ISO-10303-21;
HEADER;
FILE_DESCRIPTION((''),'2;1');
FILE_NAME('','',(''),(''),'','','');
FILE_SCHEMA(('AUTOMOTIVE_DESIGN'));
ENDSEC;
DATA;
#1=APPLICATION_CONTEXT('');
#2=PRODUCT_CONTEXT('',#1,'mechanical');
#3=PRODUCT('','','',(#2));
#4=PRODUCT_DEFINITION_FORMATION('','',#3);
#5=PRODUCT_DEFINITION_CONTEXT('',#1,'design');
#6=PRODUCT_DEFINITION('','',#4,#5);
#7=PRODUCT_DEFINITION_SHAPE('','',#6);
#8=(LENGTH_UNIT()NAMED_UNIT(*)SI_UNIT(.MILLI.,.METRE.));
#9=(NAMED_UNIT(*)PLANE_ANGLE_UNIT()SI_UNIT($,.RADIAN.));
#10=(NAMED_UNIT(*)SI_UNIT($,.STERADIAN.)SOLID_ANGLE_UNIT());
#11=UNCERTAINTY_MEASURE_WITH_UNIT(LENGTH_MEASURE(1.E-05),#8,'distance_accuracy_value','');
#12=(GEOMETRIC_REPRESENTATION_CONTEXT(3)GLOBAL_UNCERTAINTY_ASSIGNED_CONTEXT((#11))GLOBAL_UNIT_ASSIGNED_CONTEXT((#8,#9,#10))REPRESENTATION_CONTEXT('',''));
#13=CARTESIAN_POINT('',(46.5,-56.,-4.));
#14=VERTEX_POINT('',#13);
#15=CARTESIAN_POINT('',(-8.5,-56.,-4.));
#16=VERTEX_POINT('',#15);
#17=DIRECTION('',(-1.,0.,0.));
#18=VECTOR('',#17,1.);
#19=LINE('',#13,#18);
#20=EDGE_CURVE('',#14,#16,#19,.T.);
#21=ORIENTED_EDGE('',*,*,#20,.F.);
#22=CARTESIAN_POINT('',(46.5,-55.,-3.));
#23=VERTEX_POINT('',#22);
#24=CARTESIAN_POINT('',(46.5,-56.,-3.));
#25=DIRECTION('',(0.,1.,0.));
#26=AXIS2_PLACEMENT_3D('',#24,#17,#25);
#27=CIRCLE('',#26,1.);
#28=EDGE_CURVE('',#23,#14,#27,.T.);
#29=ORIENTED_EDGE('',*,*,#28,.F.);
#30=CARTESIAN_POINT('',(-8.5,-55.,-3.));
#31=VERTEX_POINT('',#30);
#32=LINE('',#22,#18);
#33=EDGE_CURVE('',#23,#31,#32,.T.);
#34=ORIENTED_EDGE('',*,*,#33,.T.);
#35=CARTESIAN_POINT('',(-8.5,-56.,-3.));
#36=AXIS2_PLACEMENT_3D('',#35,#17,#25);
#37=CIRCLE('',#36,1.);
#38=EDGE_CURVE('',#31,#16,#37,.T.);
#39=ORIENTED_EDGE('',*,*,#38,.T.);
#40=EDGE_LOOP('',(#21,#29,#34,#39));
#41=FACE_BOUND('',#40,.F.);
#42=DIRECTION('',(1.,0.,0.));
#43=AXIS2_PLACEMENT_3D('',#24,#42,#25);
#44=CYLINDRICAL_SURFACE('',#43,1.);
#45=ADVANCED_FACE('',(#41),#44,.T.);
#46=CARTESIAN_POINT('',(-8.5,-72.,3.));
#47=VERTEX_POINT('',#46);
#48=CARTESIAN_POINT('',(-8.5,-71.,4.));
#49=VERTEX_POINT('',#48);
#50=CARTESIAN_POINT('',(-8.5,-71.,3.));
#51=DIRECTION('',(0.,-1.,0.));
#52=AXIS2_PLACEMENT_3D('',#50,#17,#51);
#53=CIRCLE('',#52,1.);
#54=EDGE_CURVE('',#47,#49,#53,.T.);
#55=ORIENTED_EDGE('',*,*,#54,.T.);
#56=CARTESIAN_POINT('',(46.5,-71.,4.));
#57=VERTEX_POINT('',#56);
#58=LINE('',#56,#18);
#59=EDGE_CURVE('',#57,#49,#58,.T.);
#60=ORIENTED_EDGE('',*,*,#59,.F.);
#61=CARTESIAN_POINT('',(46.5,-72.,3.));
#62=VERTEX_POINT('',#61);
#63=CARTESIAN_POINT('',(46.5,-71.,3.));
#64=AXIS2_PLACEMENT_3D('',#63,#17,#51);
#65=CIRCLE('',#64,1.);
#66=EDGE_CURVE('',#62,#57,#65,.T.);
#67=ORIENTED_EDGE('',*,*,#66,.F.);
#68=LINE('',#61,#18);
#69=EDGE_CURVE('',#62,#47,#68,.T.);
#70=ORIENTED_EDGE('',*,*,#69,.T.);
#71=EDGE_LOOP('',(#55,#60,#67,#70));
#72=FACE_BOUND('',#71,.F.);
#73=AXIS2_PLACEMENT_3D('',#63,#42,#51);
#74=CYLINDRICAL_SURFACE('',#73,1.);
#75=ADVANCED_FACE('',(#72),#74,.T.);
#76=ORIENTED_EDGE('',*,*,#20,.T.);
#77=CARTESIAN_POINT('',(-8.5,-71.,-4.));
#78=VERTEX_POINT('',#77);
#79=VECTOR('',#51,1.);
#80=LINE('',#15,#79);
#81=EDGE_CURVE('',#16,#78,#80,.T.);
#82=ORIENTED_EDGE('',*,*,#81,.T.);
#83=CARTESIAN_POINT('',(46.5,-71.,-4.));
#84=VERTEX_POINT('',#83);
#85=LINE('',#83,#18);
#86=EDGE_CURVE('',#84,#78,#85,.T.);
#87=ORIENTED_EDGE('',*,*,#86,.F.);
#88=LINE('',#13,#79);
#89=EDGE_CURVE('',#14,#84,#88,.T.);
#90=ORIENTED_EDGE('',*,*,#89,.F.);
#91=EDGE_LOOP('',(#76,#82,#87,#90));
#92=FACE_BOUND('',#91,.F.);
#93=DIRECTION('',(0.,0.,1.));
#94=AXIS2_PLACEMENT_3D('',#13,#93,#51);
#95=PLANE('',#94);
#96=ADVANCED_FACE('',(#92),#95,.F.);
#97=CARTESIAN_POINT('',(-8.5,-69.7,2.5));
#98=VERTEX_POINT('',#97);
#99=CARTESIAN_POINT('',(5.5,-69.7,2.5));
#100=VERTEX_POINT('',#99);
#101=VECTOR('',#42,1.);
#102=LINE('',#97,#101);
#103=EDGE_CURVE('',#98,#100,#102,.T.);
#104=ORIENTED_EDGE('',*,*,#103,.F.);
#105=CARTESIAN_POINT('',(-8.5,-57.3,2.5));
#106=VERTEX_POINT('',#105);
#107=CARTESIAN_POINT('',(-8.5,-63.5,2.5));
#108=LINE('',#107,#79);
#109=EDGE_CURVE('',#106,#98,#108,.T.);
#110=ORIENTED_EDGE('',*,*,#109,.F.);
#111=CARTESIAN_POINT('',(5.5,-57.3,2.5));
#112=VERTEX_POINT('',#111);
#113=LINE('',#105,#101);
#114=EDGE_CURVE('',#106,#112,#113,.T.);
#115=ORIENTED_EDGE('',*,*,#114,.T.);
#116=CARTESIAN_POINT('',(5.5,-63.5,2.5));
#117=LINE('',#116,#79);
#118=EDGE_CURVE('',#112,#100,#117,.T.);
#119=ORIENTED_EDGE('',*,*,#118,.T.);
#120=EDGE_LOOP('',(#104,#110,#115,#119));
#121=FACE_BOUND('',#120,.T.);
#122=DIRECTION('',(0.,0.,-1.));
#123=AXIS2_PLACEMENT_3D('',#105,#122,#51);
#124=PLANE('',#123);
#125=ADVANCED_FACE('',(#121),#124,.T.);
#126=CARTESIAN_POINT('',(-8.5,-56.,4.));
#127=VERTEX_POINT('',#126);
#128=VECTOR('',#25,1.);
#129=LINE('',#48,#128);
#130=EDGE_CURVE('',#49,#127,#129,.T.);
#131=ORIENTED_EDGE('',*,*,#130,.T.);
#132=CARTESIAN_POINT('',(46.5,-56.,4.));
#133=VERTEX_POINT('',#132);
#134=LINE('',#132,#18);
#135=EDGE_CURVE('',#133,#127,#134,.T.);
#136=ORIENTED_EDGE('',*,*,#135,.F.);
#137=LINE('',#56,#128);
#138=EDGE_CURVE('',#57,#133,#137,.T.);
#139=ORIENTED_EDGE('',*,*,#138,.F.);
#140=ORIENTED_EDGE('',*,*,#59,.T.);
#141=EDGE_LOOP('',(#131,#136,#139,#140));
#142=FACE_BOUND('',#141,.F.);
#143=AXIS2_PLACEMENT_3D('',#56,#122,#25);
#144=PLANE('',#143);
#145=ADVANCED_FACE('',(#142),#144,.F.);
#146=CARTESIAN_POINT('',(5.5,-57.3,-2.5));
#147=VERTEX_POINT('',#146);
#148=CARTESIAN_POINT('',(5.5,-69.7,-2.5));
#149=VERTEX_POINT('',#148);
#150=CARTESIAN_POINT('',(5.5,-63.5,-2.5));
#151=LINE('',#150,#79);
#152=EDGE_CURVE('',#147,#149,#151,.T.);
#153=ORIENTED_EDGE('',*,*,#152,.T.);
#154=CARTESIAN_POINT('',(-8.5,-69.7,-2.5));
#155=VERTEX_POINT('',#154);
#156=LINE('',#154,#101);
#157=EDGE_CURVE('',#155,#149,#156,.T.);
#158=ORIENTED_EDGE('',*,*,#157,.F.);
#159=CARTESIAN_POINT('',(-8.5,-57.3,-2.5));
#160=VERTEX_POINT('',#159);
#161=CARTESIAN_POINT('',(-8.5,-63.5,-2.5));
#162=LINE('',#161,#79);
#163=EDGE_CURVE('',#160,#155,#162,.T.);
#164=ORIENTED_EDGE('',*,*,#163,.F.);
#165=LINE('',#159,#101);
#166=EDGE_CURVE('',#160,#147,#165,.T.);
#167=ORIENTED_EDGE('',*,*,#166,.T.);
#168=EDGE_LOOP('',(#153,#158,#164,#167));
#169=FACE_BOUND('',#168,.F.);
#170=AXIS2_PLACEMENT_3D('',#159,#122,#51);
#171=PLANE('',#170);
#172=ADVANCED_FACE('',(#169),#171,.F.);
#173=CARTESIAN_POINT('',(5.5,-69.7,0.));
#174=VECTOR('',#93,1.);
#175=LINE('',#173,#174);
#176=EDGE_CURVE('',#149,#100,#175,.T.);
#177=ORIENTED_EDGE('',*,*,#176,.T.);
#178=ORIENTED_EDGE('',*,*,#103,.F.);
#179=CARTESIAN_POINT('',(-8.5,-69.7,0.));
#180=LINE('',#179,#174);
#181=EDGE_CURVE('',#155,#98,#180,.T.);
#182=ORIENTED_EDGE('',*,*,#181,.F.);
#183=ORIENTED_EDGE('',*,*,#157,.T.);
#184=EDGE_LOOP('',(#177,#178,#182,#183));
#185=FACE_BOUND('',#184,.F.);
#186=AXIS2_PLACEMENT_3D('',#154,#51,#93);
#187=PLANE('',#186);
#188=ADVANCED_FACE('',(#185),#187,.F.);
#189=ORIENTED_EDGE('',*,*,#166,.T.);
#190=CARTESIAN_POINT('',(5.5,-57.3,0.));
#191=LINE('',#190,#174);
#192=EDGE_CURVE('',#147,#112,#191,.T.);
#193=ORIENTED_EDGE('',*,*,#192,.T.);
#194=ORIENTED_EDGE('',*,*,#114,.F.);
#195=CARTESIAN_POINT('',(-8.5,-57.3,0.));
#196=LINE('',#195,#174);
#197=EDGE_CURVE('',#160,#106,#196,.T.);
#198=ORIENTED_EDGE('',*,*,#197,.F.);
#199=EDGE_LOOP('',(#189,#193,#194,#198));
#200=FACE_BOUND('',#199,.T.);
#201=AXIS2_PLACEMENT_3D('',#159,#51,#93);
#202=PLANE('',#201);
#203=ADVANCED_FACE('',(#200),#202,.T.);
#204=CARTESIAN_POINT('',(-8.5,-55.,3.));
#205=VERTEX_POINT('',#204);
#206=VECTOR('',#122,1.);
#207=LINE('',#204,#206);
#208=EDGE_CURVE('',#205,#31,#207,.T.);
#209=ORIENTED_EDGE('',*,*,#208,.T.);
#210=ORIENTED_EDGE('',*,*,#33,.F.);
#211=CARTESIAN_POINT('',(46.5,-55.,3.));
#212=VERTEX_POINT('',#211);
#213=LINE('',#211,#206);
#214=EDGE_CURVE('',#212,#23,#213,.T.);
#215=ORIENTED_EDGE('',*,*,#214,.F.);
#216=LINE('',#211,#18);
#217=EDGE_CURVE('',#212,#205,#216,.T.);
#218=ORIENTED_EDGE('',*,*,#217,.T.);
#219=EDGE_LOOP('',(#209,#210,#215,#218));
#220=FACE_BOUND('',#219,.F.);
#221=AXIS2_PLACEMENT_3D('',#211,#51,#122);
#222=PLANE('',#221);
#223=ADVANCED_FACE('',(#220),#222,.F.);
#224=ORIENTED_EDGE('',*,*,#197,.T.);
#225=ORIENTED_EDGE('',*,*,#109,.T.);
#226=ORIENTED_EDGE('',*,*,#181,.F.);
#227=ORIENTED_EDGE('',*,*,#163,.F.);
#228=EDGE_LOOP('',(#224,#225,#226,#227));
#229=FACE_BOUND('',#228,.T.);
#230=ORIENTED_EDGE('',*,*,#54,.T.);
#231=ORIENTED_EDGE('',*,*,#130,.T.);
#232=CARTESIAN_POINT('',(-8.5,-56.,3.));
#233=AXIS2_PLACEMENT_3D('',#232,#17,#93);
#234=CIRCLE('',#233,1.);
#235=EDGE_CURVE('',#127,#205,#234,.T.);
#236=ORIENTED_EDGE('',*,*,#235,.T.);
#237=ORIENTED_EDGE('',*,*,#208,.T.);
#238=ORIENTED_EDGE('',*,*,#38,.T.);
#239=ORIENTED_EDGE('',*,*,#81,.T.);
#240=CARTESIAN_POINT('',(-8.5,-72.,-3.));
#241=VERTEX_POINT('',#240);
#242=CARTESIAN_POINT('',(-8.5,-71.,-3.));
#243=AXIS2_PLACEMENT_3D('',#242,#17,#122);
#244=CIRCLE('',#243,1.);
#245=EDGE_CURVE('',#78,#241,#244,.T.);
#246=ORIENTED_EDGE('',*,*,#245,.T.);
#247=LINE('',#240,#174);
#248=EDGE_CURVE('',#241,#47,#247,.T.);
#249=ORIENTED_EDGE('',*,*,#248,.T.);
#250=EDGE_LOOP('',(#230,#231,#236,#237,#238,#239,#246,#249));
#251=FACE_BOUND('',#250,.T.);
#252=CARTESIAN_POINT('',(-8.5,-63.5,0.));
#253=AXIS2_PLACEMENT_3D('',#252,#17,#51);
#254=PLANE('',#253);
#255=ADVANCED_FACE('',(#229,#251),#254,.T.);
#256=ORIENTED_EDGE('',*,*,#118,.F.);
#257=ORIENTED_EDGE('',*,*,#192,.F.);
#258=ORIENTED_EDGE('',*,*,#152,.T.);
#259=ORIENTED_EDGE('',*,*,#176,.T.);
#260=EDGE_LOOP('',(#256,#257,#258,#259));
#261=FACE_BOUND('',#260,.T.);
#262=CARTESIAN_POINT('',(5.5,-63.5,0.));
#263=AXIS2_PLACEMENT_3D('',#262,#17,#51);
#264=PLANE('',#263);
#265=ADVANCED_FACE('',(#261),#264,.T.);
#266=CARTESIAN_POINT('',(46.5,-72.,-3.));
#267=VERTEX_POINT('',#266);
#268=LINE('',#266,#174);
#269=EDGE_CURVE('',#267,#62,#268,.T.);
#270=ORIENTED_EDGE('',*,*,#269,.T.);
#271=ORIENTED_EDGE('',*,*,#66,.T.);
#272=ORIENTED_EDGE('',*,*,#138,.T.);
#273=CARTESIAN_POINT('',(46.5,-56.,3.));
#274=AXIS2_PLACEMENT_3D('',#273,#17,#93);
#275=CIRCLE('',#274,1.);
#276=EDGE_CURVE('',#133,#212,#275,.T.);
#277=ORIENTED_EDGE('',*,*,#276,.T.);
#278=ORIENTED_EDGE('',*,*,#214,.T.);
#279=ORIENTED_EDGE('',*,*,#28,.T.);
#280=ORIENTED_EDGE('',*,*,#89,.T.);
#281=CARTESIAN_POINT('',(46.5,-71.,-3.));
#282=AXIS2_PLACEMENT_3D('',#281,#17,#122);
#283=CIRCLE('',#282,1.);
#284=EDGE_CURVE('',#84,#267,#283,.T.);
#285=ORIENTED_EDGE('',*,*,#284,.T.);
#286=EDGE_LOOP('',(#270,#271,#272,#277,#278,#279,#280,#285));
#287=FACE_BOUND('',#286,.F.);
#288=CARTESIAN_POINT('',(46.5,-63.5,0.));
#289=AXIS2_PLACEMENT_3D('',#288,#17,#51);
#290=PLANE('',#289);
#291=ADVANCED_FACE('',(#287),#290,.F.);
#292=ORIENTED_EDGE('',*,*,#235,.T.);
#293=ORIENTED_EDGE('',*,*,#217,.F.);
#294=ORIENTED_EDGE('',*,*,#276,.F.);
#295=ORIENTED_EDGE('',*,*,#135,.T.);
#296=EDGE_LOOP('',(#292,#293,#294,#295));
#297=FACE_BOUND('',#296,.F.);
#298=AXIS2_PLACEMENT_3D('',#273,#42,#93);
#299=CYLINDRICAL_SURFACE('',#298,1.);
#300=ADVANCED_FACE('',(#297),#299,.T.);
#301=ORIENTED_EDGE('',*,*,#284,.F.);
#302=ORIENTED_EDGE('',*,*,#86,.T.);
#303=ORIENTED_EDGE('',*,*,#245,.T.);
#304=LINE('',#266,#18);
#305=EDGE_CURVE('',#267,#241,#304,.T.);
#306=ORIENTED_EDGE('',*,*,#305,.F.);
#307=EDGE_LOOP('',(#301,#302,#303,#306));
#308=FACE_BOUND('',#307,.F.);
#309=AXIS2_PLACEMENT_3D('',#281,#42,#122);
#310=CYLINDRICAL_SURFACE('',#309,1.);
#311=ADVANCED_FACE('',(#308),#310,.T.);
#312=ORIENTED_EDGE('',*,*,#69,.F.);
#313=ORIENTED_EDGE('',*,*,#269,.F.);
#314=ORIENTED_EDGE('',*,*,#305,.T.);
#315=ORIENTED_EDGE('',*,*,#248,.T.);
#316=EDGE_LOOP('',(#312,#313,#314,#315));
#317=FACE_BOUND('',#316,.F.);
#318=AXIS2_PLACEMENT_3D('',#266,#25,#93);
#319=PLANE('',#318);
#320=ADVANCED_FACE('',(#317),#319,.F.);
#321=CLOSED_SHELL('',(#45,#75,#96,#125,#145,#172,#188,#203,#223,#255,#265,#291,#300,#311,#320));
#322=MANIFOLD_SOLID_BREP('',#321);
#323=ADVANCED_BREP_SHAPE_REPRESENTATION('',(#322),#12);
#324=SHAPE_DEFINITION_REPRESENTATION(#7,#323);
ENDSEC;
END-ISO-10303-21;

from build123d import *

# Parameters (mm, degrees)
F2_DEPTH = 55
F3_W     = 12.4
F3_H     = 5
F4_DEPTH = 14
F6_ANGLE = 90


with BuildPart() as f2:
    # F1 (on face) → F2 (new body)
    with BuildSketch(Plane.XZ):
        with BuildLine():
            Line((7.5, 4), (-7.5, 4))
            ThreePointArc((-7.5, 4), (-8.2071067812, 3.7071067812), (-8.5, 3))
            Line((-8.5, 3), (-8.5, -3))
            ThreePointArc((-8.5, -3), (-8.2071067812, -3.7071067812), (-7.5, -4))
            Line((-7.5, -4), (7.5, -4))
            ThreePointArc((7.5, -4), (8.2071067812, -3.7071067812), (8.5, -3))
            Line((8.5, -3), (8.5, 3))
            ThreePointArc((8.5, 3), (8.2071067812, 3.7071067812), (7.5, 4))
        make_face()
    extrude(amount=F2_DEPTH)

    # F3 (on face) → F4 (cut)
    with BuildSketch(Plane.XZ.offset(55)):
        Rectangle(F3_W, F3_H)
    extrude(amount=-F4_DEPTH, mode=Mode.SUBTRACT)


with BuildPart() as f2_1:
    # F6: moved
    add(f2.part.rotate(Axis((-8.5, -55, 0), (0, 0, -1)), F6_ANGLE))


solid = f2_1.part
